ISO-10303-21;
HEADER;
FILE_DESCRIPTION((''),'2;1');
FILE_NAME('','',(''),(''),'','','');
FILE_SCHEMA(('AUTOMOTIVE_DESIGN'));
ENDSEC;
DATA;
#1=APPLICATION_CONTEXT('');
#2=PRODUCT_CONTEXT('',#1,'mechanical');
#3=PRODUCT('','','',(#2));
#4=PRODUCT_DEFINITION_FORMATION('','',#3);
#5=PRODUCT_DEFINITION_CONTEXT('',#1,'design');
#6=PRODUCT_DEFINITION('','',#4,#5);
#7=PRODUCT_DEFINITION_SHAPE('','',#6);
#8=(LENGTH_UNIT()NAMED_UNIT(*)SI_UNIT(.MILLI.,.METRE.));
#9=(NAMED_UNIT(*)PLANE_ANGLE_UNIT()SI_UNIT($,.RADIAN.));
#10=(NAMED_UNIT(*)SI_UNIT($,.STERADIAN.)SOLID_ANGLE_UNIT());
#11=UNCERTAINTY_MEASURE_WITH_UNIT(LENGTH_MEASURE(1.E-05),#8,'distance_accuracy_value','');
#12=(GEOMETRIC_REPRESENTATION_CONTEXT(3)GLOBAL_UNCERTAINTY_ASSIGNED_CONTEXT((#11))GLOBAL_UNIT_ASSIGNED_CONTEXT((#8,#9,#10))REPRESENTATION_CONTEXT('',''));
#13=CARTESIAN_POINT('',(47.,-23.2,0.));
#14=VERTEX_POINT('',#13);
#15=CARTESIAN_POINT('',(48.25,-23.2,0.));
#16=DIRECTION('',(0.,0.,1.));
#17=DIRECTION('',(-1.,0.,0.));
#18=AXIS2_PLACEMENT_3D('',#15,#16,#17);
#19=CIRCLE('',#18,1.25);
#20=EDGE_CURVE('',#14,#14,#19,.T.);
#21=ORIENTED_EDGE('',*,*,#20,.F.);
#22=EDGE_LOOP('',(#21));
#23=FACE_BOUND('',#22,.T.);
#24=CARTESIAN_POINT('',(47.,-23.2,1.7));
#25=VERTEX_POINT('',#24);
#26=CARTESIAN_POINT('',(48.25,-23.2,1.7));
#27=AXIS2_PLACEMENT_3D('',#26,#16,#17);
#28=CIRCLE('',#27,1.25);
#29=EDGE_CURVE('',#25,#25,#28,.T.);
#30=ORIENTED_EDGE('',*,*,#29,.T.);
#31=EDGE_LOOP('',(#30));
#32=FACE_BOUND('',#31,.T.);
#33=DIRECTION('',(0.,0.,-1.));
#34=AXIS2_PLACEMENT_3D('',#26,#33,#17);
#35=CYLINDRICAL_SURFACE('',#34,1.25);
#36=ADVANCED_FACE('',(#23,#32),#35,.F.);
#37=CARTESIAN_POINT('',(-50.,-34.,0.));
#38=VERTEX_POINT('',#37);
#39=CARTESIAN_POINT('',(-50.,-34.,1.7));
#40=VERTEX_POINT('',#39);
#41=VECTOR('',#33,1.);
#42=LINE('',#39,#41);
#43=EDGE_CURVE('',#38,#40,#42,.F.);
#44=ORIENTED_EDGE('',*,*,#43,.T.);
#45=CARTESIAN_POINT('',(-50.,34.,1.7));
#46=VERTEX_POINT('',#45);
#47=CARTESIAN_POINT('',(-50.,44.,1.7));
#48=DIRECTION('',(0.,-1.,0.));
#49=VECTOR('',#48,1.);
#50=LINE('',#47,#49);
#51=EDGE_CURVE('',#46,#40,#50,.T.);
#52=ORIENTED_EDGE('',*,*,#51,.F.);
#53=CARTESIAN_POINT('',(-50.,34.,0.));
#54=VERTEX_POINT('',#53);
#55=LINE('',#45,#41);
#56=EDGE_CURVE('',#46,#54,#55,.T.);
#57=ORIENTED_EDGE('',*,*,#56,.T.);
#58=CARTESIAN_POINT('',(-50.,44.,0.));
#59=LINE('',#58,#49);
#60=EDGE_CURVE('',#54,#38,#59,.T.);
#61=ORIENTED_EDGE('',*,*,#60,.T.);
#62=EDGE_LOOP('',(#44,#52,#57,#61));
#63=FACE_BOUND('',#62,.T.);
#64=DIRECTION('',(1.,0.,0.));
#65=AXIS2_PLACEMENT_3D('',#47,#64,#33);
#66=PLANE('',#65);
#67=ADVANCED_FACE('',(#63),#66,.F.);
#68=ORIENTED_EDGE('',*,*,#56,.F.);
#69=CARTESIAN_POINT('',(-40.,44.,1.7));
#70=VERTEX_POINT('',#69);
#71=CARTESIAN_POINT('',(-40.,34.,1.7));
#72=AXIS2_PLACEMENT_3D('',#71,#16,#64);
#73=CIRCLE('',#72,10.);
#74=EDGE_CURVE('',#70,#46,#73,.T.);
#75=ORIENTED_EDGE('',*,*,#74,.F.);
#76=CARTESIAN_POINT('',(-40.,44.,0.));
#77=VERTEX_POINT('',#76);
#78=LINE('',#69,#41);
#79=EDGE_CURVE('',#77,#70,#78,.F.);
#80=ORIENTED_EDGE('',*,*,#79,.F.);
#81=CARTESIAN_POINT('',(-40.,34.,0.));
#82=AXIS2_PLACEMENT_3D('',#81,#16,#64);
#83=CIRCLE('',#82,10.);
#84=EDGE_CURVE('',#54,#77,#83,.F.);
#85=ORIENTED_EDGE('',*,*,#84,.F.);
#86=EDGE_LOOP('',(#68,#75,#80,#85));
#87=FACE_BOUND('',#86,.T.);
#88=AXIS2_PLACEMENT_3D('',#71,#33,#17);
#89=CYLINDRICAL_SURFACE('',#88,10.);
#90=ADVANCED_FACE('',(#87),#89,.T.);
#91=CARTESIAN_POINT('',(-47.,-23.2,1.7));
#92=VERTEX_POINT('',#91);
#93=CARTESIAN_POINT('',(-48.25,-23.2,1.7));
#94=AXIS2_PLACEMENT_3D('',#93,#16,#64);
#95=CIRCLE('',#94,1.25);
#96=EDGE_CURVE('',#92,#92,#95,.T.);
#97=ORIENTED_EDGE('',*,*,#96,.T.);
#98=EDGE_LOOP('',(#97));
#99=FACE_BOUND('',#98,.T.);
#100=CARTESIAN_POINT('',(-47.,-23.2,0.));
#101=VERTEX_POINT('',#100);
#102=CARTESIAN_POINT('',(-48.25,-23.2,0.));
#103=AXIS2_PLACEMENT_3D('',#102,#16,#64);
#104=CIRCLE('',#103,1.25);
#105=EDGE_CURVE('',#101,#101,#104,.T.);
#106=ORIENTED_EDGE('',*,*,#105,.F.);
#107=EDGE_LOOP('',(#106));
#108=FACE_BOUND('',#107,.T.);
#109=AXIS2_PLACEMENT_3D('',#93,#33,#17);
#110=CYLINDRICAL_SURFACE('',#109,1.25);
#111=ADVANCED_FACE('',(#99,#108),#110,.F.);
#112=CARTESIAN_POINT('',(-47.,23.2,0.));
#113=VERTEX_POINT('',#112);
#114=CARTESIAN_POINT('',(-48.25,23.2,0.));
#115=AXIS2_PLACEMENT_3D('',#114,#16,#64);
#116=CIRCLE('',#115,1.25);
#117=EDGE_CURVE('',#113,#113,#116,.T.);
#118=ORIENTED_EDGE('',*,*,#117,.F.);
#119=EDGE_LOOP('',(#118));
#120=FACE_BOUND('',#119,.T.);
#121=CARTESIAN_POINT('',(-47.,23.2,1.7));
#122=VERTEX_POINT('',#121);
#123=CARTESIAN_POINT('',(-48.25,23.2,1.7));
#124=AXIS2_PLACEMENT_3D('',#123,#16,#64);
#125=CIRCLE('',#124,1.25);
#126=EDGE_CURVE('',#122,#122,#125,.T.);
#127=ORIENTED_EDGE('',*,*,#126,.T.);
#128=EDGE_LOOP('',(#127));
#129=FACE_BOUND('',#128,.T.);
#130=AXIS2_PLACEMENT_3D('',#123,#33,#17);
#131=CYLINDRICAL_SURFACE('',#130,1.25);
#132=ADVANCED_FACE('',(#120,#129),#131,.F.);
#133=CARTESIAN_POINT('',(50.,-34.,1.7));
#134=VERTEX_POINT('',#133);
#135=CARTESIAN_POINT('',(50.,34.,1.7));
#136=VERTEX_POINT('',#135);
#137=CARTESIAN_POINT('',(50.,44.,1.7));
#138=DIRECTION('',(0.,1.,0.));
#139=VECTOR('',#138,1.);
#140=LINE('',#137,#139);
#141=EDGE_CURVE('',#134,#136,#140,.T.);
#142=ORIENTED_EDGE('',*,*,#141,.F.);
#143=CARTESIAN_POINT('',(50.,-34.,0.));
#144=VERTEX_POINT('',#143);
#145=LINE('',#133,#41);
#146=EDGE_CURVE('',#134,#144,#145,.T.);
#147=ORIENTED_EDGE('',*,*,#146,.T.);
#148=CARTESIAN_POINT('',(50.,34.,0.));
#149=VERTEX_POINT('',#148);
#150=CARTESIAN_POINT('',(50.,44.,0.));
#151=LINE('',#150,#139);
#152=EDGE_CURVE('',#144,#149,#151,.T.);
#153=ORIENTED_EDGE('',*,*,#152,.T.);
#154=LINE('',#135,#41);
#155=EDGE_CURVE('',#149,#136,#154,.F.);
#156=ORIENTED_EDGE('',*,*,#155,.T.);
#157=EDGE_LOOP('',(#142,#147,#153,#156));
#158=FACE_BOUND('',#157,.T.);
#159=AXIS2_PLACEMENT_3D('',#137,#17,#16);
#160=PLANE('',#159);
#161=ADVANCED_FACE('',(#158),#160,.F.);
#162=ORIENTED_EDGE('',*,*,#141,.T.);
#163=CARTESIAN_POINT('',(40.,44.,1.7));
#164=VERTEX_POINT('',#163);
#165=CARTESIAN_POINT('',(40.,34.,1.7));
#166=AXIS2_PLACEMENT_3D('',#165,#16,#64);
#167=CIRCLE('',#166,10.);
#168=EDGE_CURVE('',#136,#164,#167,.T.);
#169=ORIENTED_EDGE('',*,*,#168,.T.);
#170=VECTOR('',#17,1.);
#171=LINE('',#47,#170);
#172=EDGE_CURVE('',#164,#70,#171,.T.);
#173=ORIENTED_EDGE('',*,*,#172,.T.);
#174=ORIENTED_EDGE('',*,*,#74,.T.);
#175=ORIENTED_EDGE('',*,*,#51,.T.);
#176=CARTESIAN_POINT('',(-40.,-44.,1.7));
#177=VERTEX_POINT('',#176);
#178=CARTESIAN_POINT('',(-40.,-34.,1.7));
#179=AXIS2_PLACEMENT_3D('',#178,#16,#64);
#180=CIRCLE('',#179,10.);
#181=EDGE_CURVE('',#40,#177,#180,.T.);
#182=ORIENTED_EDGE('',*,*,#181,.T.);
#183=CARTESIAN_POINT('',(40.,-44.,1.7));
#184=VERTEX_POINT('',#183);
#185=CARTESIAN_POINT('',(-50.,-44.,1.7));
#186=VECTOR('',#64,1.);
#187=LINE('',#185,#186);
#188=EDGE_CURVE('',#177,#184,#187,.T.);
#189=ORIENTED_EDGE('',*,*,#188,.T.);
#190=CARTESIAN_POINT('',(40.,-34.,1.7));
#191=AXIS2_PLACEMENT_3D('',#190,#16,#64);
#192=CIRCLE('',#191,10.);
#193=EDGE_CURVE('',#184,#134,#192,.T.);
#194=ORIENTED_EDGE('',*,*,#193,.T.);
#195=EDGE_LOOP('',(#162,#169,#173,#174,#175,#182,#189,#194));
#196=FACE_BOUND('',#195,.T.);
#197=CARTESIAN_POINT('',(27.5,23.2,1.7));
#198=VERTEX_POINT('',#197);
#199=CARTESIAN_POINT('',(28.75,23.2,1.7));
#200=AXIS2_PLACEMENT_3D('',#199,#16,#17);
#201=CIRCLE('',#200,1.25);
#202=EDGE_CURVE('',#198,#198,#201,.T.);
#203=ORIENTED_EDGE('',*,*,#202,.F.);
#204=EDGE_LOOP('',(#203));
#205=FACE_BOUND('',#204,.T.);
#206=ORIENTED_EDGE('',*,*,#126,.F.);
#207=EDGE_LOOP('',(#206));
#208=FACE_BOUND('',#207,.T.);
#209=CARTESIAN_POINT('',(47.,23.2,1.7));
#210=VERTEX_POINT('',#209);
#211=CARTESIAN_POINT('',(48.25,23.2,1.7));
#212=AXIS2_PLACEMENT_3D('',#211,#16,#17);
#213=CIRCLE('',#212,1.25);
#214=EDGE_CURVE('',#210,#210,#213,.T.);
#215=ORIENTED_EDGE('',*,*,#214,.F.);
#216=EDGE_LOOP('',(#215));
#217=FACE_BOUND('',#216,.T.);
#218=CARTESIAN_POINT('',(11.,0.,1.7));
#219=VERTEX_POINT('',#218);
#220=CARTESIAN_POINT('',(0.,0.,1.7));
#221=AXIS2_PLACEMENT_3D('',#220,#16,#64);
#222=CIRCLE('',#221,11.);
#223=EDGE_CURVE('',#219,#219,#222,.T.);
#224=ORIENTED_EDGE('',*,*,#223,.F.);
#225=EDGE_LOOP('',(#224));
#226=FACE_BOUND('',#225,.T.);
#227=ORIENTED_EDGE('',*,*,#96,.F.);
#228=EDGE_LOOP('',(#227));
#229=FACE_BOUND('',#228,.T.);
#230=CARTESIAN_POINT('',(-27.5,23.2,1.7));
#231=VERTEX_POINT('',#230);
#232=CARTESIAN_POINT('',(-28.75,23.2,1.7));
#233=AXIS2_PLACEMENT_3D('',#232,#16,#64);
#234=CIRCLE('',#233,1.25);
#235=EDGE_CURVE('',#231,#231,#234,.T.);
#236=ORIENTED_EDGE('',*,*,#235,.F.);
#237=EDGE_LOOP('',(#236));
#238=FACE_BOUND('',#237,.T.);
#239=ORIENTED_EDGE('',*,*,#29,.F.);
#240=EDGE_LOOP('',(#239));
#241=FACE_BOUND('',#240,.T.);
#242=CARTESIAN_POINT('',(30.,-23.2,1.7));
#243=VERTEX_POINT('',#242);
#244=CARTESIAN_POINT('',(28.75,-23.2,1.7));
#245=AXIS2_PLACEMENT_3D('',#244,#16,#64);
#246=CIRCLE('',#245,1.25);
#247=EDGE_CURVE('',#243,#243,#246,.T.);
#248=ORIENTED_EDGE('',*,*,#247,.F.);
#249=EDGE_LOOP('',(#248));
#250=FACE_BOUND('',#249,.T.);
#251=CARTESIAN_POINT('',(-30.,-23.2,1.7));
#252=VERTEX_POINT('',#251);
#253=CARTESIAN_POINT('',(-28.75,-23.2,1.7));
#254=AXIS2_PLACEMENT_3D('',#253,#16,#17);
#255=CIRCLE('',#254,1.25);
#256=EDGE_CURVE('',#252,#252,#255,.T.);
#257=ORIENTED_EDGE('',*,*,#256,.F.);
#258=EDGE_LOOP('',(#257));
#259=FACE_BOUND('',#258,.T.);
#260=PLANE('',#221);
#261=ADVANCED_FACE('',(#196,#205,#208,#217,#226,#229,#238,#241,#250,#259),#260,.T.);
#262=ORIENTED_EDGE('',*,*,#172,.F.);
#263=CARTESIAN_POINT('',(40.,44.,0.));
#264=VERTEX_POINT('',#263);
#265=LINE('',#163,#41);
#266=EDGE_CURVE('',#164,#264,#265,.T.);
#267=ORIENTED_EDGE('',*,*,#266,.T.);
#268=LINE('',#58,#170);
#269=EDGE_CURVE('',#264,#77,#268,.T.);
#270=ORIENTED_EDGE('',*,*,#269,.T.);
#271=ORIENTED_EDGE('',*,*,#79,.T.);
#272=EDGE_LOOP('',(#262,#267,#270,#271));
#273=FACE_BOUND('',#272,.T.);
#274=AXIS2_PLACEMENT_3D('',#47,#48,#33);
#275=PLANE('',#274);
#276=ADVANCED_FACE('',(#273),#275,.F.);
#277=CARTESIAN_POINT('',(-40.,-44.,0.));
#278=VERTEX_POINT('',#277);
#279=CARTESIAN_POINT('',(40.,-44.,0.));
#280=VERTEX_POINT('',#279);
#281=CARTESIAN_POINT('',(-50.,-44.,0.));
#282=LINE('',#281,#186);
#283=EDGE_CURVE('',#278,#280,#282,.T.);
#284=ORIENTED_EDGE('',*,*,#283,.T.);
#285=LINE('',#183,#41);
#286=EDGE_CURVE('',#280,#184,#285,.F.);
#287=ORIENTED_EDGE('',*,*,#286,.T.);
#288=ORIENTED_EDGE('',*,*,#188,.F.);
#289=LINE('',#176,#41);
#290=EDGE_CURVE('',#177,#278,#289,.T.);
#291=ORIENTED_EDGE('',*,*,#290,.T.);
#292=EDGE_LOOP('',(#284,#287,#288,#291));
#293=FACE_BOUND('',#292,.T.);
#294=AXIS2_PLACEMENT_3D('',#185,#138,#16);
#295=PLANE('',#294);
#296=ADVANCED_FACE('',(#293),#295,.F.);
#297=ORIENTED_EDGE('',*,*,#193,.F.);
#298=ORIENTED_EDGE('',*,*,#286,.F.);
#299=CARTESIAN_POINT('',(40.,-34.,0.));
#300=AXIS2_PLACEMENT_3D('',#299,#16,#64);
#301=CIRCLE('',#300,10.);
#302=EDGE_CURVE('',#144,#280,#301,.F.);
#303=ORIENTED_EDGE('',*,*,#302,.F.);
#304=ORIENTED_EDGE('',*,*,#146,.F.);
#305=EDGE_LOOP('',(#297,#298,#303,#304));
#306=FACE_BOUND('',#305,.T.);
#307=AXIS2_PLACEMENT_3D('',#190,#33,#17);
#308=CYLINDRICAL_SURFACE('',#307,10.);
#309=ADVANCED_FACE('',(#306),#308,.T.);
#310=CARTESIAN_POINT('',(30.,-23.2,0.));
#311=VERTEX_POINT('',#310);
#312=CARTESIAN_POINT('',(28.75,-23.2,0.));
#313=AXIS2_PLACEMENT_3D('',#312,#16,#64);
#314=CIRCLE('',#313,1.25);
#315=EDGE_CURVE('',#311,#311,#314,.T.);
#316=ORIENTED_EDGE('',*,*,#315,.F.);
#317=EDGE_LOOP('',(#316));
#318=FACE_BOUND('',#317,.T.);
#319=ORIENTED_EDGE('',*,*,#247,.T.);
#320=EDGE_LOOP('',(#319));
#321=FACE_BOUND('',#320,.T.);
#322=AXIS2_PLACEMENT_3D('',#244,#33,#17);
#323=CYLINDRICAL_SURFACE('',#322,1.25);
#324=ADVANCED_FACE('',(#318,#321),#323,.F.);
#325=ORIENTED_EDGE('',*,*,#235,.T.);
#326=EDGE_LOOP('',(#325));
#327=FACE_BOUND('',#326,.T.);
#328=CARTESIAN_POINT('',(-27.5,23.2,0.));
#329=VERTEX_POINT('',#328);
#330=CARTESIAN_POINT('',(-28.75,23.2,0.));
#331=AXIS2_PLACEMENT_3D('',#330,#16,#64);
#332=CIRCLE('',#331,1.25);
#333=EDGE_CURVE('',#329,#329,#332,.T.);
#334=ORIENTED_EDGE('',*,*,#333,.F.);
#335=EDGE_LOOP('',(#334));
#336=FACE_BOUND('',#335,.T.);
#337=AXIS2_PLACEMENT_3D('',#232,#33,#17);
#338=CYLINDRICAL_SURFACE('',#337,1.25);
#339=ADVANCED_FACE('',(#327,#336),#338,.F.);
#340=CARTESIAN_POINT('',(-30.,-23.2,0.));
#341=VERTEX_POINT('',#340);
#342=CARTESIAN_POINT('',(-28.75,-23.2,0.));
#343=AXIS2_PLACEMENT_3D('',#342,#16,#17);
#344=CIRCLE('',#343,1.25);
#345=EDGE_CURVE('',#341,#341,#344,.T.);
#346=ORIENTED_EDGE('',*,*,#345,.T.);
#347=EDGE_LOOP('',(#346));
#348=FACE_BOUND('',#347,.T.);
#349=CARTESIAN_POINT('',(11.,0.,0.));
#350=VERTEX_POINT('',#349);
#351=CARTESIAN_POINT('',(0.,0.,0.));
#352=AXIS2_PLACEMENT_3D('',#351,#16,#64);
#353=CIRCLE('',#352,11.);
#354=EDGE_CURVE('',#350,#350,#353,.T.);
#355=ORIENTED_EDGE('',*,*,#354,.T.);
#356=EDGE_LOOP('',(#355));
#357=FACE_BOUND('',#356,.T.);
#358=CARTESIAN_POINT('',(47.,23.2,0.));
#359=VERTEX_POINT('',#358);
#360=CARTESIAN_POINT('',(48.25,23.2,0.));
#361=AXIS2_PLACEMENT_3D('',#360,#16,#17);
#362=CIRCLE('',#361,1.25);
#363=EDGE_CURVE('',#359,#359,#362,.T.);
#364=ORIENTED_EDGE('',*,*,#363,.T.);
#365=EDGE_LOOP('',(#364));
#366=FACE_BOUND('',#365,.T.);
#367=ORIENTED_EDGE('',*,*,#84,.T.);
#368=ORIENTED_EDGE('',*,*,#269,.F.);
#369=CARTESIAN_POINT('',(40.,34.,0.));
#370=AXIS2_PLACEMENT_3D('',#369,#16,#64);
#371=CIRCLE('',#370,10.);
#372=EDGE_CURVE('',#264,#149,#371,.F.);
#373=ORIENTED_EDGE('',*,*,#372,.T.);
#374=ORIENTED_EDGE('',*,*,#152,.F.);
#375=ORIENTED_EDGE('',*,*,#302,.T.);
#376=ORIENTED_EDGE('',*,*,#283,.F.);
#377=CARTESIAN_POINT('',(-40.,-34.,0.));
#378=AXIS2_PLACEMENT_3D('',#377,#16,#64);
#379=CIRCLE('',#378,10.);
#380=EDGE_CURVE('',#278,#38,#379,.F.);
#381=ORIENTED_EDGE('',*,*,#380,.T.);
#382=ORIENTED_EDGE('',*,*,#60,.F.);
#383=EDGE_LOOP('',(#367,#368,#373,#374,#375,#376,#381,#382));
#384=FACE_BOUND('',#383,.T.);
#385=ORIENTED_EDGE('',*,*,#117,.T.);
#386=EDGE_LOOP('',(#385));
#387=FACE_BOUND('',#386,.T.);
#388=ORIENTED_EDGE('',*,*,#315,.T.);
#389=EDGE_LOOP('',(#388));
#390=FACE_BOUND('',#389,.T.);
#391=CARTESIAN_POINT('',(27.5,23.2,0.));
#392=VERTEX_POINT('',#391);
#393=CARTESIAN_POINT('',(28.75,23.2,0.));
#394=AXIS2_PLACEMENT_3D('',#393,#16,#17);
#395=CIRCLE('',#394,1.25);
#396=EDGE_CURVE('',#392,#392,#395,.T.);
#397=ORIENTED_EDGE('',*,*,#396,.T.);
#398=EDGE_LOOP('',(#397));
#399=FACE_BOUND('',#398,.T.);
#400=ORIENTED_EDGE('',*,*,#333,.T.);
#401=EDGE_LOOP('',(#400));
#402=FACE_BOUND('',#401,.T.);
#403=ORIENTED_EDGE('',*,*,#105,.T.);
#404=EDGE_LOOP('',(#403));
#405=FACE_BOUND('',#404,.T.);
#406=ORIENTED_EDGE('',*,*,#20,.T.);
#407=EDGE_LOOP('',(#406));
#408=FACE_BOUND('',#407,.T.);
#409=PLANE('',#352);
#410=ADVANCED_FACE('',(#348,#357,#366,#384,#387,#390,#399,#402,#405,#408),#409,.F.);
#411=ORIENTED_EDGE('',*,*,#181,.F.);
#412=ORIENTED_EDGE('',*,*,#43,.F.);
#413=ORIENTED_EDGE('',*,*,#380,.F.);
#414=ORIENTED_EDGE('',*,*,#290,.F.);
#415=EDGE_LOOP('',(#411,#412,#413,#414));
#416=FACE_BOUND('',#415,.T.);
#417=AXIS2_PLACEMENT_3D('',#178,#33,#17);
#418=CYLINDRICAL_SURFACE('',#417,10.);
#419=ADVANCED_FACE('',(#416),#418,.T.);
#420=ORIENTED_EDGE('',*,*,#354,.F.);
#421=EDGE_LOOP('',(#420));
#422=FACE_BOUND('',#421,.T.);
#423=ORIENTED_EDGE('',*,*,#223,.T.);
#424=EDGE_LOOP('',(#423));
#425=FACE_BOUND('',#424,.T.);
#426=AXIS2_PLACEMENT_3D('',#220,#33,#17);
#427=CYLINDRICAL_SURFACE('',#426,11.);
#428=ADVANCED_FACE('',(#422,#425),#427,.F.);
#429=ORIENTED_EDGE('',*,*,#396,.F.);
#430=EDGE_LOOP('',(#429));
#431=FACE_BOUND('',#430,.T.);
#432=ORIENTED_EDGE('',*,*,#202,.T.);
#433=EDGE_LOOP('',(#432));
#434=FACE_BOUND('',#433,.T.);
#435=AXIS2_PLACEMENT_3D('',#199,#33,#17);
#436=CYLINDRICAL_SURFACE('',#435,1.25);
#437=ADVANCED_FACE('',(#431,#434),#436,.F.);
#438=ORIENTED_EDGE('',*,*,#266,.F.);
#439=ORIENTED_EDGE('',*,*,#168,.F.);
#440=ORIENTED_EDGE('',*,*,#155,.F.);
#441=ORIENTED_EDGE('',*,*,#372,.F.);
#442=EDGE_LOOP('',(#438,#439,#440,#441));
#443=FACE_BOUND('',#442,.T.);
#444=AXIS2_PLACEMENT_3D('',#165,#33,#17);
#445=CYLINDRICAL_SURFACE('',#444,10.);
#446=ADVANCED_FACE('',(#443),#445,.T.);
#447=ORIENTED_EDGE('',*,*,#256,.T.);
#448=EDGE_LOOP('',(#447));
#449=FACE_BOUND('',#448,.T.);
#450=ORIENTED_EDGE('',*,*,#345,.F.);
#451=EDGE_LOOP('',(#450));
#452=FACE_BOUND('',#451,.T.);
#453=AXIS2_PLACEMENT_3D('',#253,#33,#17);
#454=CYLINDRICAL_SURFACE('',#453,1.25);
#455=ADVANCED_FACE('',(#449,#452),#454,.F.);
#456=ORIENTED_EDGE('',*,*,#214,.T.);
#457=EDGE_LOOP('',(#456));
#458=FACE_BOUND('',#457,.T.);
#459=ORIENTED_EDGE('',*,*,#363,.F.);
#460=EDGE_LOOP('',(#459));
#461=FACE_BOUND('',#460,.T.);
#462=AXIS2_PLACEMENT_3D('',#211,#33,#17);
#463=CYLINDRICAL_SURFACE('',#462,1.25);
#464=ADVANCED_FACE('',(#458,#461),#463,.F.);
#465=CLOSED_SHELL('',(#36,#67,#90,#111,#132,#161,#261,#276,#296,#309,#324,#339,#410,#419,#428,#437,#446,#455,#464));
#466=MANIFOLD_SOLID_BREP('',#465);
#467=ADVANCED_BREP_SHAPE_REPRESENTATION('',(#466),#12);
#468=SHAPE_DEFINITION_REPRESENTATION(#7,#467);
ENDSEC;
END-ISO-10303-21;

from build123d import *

# Parameters (mm, degrees)
SKETCH_1_W      = 100
SKETCH_1_H      = 88
SKETCH_1_R      = 1.25
SKETCH_1_R_2    = 11
EXTRUDE_1_DEPTH = 1.7
FILLET_1_R      = 10


with BuildPart() as part:
    # 草图1 → 凸台-拉伸1 (new body)
    with BuildSketch(Plane.XY):
        Rectangle(SKETCH_1_W, SKETCH_1_H)
        with Locations((-48.25, 23.2)):
            Circle(SKETCH_1_R, mode=Mode.SUBTRACT)
        with Locations((-48.25, -23.2)):
            Circle(SKETCH_1_R, mode=Mode.SUBTRACT)
        with Locations(Location((48.25, -23.2, 0), (0, 0, 180))):
            Circle(SKETCH_1_R, mode=Mode.SUBTRACT)
        with Locations(Location((48.25, 23.2, 0), (0, 0, 180))):
            Circle(SKETCH_1_R, mode=Mode.SUBTRACT)
        Circle(SKETCH_1_R_2, mode=Mode.SUBTRACT)
        with Locations((-28.75, 23.2)):
            Circle(SKETCH_1_R, mode=Mode.SUBTRACT)
        with Locations(Location((-28.75, -23.2, 0), (0, 0, 180))):
            Circle(SKETCH_1_R, mode=Mode.SUBTRACT)
        with Locations((28.75, -23.2)):
            Circle(SKETCH_1_R, mode=Mode.SUBTRACT)
        with Locations(Location((28.75, 23.2, 0), (0, 0, 180))):
            Circle(SKETCH_1_R, mode=Mode.SUBTRACT)
    extrude(amount=EXTRUDE_1_DEPTH)

    # 圆角1
    fillet_1_edges = [part.edges().sort_by_distance(p)[0] for p in [
        (50, -44, 0.85),
        (-50, -44, 0.85),
        (-50, 44, 0.85),
        (50, 44, 0.85),
    ]]
    fillet(fillet_1_edges, radius=FILLET_1_R)


solid = part.part
